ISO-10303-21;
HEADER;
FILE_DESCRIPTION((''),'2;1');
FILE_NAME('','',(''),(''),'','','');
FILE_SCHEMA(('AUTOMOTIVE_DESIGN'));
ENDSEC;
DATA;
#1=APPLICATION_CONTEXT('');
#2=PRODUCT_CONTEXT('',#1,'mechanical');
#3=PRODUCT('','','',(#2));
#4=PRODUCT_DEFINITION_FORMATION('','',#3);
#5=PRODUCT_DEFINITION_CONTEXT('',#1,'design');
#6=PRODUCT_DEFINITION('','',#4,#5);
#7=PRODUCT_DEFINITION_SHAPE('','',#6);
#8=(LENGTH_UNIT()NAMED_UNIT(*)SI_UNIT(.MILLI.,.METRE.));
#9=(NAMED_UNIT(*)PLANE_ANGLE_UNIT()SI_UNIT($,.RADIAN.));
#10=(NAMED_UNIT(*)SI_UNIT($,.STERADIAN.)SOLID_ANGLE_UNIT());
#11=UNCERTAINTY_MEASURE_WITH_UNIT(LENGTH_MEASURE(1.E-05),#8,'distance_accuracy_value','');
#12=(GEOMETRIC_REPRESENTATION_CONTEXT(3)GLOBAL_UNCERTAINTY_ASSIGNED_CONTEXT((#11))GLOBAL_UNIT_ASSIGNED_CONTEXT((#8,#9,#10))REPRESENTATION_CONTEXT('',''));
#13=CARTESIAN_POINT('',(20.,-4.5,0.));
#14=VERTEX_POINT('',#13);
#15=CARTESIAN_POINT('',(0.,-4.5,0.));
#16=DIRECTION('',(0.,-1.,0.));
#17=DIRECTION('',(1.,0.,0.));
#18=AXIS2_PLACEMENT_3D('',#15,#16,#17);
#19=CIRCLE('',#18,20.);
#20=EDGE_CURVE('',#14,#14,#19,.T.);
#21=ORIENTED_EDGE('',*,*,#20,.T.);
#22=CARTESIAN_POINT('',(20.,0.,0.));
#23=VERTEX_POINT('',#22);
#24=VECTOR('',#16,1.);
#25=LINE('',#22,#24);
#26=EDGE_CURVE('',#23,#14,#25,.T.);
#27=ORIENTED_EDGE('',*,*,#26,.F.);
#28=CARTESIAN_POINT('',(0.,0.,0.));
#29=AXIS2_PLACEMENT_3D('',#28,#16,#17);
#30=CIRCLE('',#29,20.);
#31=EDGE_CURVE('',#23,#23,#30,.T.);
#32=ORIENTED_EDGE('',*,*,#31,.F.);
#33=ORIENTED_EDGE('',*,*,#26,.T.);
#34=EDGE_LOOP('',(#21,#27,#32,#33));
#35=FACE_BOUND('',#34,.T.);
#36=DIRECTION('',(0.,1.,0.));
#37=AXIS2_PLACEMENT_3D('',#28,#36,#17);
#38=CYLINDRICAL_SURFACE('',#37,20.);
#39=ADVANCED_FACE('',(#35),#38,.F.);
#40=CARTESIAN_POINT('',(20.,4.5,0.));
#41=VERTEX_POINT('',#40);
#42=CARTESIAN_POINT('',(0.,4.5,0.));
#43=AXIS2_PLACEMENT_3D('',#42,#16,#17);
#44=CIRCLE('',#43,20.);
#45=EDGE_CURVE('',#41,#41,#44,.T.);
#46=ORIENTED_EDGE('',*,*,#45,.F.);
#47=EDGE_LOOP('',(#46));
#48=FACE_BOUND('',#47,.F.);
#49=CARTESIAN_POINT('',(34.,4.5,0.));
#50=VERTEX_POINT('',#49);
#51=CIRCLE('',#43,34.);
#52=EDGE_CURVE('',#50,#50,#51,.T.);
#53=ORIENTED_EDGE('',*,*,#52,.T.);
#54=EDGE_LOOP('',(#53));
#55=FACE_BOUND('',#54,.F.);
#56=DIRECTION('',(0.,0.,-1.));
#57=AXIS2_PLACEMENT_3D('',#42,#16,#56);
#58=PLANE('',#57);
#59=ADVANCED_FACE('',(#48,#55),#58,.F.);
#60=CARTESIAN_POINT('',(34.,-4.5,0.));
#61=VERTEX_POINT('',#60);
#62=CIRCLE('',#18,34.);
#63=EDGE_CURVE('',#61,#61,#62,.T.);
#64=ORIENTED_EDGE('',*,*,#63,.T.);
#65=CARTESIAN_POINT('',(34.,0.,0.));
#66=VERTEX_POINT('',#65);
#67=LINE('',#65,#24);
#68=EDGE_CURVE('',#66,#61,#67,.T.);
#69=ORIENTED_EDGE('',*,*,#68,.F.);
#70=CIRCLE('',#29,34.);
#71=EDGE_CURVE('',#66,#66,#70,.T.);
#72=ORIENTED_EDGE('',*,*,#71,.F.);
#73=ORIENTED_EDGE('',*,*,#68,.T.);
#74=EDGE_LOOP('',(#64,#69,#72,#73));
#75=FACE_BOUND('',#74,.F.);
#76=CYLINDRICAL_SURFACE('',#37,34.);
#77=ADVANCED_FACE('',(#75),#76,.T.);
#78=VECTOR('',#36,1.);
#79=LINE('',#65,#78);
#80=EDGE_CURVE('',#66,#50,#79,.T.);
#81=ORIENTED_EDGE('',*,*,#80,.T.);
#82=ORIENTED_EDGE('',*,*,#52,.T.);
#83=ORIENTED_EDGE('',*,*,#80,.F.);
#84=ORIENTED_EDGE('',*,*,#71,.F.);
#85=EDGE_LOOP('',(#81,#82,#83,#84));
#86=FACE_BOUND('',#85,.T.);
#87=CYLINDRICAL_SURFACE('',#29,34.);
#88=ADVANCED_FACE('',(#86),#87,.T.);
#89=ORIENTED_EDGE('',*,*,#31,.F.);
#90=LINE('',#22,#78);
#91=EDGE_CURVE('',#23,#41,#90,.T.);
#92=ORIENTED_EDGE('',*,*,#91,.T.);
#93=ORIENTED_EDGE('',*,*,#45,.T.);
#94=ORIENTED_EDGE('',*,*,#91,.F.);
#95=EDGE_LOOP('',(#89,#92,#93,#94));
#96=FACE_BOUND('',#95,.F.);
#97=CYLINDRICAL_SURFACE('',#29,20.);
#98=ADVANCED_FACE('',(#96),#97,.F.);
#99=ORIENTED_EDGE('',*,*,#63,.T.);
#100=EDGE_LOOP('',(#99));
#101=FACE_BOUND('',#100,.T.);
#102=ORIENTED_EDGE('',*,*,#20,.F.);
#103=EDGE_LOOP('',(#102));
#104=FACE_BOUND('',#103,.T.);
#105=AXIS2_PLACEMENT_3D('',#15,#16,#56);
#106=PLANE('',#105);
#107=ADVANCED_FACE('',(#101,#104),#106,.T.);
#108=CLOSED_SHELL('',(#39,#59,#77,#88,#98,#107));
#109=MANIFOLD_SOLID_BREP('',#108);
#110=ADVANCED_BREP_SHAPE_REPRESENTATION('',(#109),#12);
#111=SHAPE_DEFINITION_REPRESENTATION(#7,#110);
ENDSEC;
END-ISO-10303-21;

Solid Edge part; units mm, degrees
sketch "Sketch1" plane through (0, 0, 0) normal (0, -1, 0) x (1, 0, 0)
  circle A0 centre (0, 0) radius 20
  circle A1 centre (0, 0) radius 34
extrude "Protrusion1" add sketch "Sketch1" along normal mid plane 9
